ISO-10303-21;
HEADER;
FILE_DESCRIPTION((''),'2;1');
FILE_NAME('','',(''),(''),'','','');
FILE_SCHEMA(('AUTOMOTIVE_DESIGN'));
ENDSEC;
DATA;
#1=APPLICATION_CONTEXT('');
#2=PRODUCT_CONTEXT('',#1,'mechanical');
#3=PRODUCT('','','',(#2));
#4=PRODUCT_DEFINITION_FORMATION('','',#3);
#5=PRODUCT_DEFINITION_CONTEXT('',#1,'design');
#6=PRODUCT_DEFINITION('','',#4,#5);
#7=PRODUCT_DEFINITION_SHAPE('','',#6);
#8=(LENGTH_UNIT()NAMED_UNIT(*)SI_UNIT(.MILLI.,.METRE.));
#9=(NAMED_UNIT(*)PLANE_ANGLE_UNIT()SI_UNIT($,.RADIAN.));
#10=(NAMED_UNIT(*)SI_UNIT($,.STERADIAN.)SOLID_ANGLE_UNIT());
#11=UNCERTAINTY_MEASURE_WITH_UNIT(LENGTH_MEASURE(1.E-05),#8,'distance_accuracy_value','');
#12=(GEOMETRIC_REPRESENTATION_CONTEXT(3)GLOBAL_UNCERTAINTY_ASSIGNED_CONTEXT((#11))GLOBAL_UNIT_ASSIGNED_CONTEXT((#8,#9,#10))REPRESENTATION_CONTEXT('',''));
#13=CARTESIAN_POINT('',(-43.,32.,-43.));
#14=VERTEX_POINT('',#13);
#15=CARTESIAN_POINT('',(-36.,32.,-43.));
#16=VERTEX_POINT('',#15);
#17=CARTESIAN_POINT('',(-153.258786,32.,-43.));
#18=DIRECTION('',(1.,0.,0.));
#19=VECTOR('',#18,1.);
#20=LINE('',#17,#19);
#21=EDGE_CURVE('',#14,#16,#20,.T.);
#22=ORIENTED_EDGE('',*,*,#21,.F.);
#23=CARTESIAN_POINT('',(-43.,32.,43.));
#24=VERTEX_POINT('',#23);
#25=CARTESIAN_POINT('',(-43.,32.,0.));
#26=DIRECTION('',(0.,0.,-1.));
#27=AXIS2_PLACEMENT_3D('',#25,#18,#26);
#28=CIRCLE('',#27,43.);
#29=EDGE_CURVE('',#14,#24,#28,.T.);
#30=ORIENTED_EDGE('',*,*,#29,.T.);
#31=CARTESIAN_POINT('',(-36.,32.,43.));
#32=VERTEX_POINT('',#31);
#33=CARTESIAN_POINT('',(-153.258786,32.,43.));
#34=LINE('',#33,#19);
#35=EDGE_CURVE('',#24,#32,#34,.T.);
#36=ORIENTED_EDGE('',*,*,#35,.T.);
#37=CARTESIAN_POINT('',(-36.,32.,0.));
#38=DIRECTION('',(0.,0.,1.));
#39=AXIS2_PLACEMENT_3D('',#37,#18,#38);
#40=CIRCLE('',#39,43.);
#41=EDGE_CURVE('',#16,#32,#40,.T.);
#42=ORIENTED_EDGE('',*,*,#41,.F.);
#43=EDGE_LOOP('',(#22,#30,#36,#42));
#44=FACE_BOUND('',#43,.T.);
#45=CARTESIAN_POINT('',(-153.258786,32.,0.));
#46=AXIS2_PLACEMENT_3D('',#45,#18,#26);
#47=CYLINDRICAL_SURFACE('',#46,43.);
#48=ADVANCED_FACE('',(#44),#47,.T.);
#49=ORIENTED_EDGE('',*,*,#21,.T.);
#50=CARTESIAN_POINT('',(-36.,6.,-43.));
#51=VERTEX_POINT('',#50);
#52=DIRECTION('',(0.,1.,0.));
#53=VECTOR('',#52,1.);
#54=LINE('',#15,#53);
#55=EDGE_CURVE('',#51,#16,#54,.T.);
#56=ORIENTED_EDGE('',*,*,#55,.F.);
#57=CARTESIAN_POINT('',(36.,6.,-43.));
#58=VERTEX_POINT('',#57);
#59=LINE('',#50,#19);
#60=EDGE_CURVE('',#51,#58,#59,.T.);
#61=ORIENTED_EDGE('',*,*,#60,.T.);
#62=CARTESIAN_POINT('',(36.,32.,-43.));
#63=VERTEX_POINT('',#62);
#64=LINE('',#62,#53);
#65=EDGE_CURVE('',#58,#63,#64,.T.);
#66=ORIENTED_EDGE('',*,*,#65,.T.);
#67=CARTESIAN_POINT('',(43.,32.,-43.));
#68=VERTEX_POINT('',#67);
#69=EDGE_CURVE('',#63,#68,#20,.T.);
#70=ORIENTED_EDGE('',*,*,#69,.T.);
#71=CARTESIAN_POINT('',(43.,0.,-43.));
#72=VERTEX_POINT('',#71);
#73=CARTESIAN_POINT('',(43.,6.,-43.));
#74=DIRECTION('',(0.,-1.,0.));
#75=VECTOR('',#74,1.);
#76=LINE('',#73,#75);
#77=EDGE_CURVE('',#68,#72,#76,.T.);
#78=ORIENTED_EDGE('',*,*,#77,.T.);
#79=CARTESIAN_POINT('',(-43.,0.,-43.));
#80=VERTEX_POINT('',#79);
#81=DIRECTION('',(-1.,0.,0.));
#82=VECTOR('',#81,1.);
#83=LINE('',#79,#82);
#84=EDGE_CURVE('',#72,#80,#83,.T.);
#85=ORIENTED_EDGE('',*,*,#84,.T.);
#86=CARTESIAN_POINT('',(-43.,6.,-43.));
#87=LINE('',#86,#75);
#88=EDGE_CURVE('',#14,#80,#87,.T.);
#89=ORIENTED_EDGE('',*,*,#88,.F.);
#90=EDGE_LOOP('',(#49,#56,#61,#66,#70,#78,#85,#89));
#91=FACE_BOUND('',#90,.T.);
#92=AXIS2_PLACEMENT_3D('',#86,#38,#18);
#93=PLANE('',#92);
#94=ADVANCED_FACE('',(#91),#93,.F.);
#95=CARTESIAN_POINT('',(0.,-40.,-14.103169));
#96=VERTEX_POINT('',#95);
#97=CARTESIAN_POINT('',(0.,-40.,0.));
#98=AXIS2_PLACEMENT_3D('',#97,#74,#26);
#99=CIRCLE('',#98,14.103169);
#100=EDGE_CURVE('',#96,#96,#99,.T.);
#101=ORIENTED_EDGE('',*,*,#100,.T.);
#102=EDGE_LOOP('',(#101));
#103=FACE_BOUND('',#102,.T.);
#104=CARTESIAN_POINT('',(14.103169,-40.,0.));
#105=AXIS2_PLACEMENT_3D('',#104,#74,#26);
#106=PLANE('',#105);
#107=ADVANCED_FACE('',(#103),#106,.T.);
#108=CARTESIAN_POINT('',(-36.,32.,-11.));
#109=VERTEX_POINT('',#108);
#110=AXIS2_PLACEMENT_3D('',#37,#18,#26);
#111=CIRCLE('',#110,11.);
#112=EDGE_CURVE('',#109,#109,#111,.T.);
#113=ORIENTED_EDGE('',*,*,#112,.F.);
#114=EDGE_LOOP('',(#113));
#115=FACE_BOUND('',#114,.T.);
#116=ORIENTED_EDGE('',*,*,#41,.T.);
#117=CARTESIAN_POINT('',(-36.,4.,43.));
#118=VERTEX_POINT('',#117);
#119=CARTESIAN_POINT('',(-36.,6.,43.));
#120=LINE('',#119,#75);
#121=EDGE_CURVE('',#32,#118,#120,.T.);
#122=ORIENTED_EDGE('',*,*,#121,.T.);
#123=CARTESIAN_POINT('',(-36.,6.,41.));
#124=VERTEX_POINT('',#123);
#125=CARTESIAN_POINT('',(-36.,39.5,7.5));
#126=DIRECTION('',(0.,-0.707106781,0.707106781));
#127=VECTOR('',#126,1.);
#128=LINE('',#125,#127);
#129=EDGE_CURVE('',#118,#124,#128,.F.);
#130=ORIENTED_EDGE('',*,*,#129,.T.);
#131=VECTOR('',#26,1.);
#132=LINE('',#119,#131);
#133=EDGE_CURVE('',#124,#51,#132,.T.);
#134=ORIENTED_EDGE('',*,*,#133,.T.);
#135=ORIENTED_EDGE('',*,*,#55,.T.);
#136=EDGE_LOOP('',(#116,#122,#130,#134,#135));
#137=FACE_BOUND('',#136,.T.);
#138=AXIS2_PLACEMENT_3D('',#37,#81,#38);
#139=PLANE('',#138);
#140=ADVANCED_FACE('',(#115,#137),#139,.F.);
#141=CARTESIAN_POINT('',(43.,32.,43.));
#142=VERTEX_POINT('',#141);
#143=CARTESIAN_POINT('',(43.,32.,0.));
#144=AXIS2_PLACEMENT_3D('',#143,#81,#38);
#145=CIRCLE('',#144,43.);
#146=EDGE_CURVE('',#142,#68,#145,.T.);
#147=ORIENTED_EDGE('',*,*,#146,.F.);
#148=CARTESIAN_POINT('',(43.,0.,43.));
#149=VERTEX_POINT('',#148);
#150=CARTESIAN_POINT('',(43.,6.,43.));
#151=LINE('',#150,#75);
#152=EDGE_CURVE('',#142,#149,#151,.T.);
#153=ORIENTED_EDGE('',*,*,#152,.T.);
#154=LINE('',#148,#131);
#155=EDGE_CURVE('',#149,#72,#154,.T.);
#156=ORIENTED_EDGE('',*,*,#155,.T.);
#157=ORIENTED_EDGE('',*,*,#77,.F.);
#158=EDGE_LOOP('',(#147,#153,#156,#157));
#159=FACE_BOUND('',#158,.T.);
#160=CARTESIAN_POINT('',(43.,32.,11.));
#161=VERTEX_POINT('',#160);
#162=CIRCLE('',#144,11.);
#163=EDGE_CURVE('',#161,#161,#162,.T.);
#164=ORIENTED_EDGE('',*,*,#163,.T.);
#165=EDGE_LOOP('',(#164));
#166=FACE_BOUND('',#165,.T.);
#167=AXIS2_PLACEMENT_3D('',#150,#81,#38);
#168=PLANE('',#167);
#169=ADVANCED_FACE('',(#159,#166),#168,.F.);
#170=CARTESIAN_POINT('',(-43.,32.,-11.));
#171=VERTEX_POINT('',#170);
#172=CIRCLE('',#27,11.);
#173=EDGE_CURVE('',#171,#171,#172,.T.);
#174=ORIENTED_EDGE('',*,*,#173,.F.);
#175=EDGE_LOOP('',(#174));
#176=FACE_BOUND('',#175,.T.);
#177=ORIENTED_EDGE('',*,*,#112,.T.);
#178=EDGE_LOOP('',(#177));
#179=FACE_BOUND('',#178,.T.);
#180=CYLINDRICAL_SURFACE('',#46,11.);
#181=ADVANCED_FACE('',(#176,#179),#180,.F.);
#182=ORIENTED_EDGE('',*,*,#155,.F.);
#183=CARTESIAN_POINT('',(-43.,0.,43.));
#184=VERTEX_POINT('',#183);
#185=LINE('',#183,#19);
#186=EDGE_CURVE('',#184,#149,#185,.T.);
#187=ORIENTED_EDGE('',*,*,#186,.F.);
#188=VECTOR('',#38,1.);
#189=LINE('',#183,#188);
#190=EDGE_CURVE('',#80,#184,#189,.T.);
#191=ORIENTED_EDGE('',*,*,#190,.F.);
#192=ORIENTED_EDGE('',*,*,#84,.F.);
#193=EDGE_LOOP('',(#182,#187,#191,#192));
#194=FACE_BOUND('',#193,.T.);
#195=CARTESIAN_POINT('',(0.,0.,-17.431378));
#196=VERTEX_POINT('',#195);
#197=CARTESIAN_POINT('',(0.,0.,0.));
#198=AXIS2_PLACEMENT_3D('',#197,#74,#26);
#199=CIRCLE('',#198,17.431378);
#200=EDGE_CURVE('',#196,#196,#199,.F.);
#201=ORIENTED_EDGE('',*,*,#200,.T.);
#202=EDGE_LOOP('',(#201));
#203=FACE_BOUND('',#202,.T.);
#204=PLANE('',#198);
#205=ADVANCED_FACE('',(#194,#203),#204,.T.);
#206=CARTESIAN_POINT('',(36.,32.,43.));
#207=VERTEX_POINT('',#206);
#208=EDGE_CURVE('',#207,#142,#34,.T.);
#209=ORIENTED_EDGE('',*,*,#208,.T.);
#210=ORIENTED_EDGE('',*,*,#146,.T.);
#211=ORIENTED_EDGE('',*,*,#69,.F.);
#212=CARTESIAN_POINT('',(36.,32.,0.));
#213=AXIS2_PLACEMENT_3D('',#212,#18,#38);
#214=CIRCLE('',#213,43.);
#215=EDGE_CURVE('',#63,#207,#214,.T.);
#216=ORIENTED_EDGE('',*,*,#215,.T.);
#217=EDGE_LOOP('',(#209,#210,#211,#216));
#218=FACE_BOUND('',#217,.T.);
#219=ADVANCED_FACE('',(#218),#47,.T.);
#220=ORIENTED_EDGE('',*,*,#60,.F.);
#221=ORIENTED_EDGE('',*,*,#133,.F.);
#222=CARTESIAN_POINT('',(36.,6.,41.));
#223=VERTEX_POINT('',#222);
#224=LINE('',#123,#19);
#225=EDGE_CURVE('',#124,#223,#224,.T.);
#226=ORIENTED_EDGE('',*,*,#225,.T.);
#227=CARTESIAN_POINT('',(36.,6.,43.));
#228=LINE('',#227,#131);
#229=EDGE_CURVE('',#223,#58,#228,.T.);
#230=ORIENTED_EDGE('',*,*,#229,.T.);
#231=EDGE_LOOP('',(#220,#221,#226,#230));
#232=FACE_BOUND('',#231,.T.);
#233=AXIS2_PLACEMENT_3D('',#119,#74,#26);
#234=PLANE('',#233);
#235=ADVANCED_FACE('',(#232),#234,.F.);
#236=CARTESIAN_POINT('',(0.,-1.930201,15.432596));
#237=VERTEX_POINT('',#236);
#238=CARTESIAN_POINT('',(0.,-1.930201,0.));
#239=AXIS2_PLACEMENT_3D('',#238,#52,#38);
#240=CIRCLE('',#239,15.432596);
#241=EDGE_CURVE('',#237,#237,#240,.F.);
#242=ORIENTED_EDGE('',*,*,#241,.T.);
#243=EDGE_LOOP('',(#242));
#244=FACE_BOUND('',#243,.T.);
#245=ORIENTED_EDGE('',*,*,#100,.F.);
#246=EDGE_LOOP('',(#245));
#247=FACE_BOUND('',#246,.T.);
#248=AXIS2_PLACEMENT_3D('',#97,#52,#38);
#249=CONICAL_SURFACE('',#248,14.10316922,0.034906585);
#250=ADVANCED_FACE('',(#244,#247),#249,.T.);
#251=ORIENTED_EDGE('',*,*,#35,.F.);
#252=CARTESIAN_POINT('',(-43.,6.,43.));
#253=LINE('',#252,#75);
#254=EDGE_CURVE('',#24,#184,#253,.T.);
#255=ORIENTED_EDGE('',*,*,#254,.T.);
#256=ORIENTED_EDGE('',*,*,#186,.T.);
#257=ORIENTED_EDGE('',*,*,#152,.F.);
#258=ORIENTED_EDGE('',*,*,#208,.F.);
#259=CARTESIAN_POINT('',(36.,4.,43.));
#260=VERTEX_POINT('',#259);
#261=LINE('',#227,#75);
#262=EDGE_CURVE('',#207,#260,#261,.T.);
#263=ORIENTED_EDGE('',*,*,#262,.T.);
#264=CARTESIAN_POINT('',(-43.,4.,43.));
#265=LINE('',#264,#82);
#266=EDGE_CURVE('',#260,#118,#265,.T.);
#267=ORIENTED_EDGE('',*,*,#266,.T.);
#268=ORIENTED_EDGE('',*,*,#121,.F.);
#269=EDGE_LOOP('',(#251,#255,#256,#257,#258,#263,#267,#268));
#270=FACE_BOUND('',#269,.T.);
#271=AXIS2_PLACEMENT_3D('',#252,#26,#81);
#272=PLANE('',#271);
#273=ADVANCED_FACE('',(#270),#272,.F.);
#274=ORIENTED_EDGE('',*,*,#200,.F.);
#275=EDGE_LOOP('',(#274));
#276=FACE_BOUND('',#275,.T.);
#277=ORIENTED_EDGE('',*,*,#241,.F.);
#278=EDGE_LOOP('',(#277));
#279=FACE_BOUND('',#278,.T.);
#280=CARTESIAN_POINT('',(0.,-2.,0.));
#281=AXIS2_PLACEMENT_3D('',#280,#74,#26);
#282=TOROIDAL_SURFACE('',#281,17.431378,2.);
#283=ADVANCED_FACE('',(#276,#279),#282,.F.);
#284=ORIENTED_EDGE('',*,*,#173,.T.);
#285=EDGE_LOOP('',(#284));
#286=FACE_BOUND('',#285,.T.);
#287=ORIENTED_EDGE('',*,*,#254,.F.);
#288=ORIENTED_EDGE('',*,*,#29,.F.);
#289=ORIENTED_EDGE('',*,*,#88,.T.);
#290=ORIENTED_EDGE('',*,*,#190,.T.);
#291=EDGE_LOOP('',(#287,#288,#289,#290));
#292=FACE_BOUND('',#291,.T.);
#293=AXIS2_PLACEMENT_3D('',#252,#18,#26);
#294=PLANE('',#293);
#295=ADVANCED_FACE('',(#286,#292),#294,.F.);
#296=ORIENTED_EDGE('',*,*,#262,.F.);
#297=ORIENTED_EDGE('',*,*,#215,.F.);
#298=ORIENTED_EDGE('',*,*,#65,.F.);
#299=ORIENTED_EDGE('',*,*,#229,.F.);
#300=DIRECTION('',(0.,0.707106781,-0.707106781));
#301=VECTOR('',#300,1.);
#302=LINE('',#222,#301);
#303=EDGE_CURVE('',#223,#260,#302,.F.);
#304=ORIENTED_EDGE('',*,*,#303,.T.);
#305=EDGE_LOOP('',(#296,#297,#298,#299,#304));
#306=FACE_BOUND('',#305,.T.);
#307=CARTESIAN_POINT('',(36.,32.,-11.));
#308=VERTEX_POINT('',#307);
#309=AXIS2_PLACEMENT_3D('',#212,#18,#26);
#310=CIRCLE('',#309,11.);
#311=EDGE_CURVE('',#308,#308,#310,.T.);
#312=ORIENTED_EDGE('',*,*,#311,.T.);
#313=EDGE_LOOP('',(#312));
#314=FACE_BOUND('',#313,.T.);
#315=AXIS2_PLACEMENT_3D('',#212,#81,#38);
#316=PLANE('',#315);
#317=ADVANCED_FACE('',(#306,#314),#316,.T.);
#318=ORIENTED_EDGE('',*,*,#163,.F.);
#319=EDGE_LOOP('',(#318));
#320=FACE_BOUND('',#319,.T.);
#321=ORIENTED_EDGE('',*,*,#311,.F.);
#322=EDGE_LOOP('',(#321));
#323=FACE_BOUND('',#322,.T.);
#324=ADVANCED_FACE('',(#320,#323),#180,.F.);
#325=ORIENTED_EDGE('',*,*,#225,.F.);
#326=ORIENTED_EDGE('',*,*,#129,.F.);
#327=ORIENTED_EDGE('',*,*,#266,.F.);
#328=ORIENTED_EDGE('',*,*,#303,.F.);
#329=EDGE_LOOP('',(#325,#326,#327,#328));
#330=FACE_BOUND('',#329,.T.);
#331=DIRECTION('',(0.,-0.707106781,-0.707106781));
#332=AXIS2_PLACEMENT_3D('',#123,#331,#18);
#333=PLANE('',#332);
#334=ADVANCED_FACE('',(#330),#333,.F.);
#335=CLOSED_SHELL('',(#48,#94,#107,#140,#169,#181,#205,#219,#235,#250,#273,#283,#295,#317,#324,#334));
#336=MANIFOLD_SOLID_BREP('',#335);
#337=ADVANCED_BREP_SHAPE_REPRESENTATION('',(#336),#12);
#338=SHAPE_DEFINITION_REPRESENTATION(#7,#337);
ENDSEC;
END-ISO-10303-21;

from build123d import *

# Parameters (mm, degrees)
SKETCH3_W           = 86
SKETCH3_H           = 86
BOSS_EXTRUDE1_DEPTH = 6
FILLET2_R           = 2
BOSS_EXTRUDE2_START = 43
SKETCH4_R           = 11
BOSS_EXTRUDE2_DEPTH = 86
SKETCH4_2_R         = 11
CUT_EXTRUDE1_DEPTH  = 36
CHAMFER2_SIZE       = 2


with BuildPart() as part:
    # Sketch2 → Revolve1 (revolve)
    with BuildSketch(Plane.XY, mode=Mode.PRIVATE) as revolve1_sk:
        Polygon((0, 0), (15.5, 0), (14.10316922, -40), (0, -40), align=None)
    revolve(revolve1_sk.sketch.rotate(Axis((0, -16.883928571, 0), (0, 1, 0)), 90), axis=Axis((0, -16.883928571, 0), (0, 1, 0)))

    # Sketch3 → Boss-Extrude1 (add)
    with BuildSketch(Plane(origin=(0, 0, 0), x_dir=(1, 0, 0), z_dir=(0, 1, 0))):
        Rectangle(SKETCH3_W, SKETCH3_H)
    extrude(amount=BOSS_EXTRUDE1_DEPTH)

    # Fillet2
    fillet2_edges = [part.edges().sort_by_distance(p)[0] for p in [
        (0, 0, 15.5),
    ]]
    fillet(fillet2_edges, radius=FILLET2_R)

    # Sketch4 → Boss-Extrude2 (add)
    with BuildSketch(Plane(origin=(0, 0, 0), x_dir=(0, 0, -1), z_dir=(1, 0, 0)).offset(BOSS_EXTRUDE2_START)):
        with BuildLine():
            Line((-43, 6), (43, 6))
            Line((43, 6), (43, 32))
            ThreePointArc((43, 32), (0, 75), (-43, 32))
            Line((-43, 32), (-43, 6))
        make_face()
        with Locations((0, 32)):
            Circle(SKETCH4_R, mode=Mode.SUBTRACT)
    extrude(amount=-BOSS_EXTRUDE2_DEPTH)

    # Sketch4<2> → Cut-Extrude1 (cut, symmetric)
    with BuildSketch(Plane(origin=(0, 0, 0), x_dir=(0, 0, -1), z_dir=(1, 0, 0))):
        with BuildLine():
            Line((-43, 6), (43, 6))
            Line((43, 6), (43, 32))
            ThreePointArc((43, 32), (0, 75), (-43, 32))
            Line((-43, 32), (-43, 6))
        make_face()
        with Locations((0, 32)):
            Circle(SKETCH4_2_R, mode=Mode.SUBTRACT)
    extrude(amount=CUT_EXTRUDE1_DEPTH, both=True, mode=Mode.SUBTRACT)

    # Chamfer2
    chamfer2_edges = [part.edges().sort_by_distance(p)[0] for p in [
        (0, 6, 43),
    ]]
    chamfer(chamfer2_edges, length=CHAMFER2_SIZE)


solid = part.part
